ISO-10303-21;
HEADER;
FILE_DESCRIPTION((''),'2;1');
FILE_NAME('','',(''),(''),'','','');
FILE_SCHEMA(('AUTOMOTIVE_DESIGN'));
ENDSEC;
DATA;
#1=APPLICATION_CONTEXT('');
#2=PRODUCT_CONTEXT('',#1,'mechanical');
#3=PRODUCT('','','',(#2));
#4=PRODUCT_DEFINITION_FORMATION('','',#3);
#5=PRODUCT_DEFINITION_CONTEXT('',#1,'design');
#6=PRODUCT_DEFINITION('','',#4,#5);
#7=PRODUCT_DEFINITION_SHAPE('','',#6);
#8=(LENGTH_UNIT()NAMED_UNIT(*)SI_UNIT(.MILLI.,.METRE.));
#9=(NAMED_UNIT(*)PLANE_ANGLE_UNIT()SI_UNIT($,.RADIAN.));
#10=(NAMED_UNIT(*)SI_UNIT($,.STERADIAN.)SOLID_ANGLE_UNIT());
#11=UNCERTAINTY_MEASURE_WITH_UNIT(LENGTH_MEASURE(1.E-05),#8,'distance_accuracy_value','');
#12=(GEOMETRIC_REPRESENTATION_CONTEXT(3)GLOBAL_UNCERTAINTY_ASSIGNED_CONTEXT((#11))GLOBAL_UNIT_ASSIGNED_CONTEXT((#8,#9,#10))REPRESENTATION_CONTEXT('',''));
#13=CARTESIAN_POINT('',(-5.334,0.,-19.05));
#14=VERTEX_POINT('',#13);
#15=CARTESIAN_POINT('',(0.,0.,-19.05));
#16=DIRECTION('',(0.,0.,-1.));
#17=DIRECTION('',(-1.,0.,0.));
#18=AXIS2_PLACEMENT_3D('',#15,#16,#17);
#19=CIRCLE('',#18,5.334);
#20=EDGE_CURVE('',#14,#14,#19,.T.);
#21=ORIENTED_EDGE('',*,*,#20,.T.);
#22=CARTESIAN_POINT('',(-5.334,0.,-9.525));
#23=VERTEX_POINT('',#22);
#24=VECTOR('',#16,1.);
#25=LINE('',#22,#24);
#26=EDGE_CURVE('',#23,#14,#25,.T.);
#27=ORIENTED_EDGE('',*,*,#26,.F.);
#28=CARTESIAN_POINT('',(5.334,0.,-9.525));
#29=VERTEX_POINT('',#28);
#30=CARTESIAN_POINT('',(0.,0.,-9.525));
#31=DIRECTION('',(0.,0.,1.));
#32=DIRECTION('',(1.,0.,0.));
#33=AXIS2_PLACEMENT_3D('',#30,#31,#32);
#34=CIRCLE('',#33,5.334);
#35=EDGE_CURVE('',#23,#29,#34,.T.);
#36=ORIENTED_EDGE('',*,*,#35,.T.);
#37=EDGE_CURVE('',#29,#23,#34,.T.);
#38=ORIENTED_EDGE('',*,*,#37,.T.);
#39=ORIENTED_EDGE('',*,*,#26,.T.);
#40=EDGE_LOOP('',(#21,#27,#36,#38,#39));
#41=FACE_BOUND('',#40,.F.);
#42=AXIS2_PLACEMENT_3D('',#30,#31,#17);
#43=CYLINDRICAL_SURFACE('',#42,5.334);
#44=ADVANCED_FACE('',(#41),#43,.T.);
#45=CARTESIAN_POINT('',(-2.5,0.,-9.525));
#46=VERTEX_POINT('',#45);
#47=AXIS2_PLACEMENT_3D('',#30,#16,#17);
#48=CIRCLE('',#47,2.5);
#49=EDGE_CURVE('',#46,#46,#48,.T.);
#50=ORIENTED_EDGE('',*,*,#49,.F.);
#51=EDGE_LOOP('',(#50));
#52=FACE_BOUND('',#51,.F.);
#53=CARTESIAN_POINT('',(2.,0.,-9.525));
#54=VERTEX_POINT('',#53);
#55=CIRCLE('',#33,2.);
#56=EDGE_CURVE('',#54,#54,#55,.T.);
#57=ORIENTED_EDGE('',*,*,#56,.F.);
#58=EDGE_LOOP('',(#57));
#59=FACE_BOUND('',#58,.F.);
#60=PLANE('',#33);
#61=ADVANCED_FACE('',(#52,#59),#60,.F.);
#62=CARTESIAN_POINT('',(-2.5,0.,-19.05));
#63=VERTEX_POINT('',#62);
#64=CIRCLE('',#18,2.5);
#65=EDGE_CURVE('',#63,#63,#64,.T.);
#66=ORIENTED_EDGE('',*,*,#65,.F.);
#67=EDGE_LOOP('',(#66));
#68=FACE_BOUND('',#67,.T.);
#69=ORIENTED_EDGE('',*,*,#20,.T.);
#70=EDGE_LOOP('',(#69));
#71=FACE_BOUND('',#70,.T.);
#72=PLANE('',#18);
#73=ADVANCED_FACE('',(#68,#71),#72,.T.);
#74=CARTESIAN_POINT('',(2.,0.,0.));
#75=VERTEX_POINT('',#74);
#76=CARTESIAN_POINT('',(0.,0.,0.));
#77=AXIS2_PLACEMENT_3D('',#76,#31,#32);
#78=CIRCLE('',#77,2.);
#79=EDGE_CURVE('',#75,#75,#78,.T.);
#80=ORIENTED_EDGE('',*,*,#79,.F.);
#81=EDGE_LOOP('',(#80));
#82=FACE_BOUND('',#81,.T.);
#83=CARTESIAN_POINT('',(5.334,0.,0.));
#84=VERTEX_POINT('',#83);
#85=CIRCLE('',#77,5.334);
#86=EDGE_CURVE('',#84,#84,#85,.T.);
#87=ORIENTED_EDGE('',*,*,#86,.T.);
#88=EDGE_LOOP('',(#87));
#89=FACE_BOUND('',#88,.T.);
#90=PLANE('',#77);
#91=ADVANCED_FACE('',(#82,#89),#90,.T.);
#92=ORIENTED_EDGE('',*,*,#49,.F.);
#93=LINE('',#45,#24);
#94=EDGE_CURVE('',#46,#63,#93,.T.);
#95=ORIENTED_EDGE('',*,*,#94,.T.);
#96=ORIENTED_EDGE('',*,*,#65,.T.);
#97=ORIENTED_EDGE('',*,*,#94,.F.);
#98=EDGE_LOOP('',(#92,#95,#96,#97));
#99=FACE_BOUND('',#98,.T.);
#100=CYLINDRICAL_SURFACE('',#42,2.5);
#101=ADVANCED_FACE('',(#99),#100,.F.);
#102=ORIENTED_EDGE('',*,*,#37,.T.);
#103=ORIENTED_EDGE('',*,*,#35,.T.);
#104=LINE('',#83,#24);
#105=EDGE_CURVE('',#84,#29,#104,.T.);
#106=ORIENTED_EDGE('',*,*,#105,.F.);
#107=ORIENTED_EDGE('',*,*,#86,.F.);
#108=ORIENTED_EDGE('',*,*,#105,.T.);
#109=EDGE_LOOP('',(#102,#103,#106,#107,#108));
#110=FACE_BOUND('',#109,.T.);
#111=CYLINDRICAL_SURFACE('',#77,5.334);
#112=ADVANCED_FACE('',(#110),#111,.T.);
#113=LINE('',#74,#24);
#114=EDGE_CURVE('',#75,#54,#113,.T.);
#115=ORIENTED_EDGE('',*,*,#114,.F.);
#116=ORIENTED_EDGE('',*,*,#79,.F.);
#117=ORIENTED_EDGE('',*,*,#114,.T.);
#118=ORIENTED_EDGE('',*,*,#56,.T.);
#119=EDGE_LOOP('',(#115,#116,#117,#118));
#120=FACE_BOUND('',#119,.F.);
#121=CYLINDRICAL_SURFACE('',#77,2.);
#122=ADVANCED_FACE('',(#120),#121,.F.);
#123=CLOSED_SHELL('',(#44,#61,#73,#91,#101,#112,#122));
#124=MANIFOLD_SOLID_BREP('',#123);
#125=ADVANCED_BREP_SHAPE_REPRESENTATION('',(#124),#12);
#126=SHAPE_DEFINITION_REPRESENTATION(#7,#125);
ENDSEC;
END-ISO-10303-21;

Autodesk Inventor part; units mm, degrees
ref_plane "YZ Plane" through (0, 0, 0) normal (1, 0, 0) x (0, 1, 0)
ref_plane "XZ Plane" through (0, 0, 0) normal (0, 1, 0) x (-1, 0, 0)
ref_plane "XY Plane" through (0, 0, 0) normal (0, 0, 1) x (1, 0, 0)
sketch "Sketch1" plane through (0, 0, 0) normal (0, 0, 1) x (1, 0, 0)
  circle A0 centre (0, 0) radius 5.334
  circle A1 centre (0, 0) radius 2
  dimension "d0" = 10.668
  dimension "d1" = 4
extrude "Extrusion1" add sketch "Sketch1" against normal blind 9.525
sketch "Sketch2" plane through (0, 0, -9.525) normal (0, 0, -1) x (-1, 0, 0)
  circle A0 centre (0, 0) radius 5.334
  circle A1 centre (0, 0) radius 5.334 projected
  circle A2 centre (0, 0) radius 2.5
  dimension "d4" = 5
extrude "Extrusion2" add sketch "Sketch2" along normal blind 9.525
properties part number "ShootingMech_MotorCoupling2"
